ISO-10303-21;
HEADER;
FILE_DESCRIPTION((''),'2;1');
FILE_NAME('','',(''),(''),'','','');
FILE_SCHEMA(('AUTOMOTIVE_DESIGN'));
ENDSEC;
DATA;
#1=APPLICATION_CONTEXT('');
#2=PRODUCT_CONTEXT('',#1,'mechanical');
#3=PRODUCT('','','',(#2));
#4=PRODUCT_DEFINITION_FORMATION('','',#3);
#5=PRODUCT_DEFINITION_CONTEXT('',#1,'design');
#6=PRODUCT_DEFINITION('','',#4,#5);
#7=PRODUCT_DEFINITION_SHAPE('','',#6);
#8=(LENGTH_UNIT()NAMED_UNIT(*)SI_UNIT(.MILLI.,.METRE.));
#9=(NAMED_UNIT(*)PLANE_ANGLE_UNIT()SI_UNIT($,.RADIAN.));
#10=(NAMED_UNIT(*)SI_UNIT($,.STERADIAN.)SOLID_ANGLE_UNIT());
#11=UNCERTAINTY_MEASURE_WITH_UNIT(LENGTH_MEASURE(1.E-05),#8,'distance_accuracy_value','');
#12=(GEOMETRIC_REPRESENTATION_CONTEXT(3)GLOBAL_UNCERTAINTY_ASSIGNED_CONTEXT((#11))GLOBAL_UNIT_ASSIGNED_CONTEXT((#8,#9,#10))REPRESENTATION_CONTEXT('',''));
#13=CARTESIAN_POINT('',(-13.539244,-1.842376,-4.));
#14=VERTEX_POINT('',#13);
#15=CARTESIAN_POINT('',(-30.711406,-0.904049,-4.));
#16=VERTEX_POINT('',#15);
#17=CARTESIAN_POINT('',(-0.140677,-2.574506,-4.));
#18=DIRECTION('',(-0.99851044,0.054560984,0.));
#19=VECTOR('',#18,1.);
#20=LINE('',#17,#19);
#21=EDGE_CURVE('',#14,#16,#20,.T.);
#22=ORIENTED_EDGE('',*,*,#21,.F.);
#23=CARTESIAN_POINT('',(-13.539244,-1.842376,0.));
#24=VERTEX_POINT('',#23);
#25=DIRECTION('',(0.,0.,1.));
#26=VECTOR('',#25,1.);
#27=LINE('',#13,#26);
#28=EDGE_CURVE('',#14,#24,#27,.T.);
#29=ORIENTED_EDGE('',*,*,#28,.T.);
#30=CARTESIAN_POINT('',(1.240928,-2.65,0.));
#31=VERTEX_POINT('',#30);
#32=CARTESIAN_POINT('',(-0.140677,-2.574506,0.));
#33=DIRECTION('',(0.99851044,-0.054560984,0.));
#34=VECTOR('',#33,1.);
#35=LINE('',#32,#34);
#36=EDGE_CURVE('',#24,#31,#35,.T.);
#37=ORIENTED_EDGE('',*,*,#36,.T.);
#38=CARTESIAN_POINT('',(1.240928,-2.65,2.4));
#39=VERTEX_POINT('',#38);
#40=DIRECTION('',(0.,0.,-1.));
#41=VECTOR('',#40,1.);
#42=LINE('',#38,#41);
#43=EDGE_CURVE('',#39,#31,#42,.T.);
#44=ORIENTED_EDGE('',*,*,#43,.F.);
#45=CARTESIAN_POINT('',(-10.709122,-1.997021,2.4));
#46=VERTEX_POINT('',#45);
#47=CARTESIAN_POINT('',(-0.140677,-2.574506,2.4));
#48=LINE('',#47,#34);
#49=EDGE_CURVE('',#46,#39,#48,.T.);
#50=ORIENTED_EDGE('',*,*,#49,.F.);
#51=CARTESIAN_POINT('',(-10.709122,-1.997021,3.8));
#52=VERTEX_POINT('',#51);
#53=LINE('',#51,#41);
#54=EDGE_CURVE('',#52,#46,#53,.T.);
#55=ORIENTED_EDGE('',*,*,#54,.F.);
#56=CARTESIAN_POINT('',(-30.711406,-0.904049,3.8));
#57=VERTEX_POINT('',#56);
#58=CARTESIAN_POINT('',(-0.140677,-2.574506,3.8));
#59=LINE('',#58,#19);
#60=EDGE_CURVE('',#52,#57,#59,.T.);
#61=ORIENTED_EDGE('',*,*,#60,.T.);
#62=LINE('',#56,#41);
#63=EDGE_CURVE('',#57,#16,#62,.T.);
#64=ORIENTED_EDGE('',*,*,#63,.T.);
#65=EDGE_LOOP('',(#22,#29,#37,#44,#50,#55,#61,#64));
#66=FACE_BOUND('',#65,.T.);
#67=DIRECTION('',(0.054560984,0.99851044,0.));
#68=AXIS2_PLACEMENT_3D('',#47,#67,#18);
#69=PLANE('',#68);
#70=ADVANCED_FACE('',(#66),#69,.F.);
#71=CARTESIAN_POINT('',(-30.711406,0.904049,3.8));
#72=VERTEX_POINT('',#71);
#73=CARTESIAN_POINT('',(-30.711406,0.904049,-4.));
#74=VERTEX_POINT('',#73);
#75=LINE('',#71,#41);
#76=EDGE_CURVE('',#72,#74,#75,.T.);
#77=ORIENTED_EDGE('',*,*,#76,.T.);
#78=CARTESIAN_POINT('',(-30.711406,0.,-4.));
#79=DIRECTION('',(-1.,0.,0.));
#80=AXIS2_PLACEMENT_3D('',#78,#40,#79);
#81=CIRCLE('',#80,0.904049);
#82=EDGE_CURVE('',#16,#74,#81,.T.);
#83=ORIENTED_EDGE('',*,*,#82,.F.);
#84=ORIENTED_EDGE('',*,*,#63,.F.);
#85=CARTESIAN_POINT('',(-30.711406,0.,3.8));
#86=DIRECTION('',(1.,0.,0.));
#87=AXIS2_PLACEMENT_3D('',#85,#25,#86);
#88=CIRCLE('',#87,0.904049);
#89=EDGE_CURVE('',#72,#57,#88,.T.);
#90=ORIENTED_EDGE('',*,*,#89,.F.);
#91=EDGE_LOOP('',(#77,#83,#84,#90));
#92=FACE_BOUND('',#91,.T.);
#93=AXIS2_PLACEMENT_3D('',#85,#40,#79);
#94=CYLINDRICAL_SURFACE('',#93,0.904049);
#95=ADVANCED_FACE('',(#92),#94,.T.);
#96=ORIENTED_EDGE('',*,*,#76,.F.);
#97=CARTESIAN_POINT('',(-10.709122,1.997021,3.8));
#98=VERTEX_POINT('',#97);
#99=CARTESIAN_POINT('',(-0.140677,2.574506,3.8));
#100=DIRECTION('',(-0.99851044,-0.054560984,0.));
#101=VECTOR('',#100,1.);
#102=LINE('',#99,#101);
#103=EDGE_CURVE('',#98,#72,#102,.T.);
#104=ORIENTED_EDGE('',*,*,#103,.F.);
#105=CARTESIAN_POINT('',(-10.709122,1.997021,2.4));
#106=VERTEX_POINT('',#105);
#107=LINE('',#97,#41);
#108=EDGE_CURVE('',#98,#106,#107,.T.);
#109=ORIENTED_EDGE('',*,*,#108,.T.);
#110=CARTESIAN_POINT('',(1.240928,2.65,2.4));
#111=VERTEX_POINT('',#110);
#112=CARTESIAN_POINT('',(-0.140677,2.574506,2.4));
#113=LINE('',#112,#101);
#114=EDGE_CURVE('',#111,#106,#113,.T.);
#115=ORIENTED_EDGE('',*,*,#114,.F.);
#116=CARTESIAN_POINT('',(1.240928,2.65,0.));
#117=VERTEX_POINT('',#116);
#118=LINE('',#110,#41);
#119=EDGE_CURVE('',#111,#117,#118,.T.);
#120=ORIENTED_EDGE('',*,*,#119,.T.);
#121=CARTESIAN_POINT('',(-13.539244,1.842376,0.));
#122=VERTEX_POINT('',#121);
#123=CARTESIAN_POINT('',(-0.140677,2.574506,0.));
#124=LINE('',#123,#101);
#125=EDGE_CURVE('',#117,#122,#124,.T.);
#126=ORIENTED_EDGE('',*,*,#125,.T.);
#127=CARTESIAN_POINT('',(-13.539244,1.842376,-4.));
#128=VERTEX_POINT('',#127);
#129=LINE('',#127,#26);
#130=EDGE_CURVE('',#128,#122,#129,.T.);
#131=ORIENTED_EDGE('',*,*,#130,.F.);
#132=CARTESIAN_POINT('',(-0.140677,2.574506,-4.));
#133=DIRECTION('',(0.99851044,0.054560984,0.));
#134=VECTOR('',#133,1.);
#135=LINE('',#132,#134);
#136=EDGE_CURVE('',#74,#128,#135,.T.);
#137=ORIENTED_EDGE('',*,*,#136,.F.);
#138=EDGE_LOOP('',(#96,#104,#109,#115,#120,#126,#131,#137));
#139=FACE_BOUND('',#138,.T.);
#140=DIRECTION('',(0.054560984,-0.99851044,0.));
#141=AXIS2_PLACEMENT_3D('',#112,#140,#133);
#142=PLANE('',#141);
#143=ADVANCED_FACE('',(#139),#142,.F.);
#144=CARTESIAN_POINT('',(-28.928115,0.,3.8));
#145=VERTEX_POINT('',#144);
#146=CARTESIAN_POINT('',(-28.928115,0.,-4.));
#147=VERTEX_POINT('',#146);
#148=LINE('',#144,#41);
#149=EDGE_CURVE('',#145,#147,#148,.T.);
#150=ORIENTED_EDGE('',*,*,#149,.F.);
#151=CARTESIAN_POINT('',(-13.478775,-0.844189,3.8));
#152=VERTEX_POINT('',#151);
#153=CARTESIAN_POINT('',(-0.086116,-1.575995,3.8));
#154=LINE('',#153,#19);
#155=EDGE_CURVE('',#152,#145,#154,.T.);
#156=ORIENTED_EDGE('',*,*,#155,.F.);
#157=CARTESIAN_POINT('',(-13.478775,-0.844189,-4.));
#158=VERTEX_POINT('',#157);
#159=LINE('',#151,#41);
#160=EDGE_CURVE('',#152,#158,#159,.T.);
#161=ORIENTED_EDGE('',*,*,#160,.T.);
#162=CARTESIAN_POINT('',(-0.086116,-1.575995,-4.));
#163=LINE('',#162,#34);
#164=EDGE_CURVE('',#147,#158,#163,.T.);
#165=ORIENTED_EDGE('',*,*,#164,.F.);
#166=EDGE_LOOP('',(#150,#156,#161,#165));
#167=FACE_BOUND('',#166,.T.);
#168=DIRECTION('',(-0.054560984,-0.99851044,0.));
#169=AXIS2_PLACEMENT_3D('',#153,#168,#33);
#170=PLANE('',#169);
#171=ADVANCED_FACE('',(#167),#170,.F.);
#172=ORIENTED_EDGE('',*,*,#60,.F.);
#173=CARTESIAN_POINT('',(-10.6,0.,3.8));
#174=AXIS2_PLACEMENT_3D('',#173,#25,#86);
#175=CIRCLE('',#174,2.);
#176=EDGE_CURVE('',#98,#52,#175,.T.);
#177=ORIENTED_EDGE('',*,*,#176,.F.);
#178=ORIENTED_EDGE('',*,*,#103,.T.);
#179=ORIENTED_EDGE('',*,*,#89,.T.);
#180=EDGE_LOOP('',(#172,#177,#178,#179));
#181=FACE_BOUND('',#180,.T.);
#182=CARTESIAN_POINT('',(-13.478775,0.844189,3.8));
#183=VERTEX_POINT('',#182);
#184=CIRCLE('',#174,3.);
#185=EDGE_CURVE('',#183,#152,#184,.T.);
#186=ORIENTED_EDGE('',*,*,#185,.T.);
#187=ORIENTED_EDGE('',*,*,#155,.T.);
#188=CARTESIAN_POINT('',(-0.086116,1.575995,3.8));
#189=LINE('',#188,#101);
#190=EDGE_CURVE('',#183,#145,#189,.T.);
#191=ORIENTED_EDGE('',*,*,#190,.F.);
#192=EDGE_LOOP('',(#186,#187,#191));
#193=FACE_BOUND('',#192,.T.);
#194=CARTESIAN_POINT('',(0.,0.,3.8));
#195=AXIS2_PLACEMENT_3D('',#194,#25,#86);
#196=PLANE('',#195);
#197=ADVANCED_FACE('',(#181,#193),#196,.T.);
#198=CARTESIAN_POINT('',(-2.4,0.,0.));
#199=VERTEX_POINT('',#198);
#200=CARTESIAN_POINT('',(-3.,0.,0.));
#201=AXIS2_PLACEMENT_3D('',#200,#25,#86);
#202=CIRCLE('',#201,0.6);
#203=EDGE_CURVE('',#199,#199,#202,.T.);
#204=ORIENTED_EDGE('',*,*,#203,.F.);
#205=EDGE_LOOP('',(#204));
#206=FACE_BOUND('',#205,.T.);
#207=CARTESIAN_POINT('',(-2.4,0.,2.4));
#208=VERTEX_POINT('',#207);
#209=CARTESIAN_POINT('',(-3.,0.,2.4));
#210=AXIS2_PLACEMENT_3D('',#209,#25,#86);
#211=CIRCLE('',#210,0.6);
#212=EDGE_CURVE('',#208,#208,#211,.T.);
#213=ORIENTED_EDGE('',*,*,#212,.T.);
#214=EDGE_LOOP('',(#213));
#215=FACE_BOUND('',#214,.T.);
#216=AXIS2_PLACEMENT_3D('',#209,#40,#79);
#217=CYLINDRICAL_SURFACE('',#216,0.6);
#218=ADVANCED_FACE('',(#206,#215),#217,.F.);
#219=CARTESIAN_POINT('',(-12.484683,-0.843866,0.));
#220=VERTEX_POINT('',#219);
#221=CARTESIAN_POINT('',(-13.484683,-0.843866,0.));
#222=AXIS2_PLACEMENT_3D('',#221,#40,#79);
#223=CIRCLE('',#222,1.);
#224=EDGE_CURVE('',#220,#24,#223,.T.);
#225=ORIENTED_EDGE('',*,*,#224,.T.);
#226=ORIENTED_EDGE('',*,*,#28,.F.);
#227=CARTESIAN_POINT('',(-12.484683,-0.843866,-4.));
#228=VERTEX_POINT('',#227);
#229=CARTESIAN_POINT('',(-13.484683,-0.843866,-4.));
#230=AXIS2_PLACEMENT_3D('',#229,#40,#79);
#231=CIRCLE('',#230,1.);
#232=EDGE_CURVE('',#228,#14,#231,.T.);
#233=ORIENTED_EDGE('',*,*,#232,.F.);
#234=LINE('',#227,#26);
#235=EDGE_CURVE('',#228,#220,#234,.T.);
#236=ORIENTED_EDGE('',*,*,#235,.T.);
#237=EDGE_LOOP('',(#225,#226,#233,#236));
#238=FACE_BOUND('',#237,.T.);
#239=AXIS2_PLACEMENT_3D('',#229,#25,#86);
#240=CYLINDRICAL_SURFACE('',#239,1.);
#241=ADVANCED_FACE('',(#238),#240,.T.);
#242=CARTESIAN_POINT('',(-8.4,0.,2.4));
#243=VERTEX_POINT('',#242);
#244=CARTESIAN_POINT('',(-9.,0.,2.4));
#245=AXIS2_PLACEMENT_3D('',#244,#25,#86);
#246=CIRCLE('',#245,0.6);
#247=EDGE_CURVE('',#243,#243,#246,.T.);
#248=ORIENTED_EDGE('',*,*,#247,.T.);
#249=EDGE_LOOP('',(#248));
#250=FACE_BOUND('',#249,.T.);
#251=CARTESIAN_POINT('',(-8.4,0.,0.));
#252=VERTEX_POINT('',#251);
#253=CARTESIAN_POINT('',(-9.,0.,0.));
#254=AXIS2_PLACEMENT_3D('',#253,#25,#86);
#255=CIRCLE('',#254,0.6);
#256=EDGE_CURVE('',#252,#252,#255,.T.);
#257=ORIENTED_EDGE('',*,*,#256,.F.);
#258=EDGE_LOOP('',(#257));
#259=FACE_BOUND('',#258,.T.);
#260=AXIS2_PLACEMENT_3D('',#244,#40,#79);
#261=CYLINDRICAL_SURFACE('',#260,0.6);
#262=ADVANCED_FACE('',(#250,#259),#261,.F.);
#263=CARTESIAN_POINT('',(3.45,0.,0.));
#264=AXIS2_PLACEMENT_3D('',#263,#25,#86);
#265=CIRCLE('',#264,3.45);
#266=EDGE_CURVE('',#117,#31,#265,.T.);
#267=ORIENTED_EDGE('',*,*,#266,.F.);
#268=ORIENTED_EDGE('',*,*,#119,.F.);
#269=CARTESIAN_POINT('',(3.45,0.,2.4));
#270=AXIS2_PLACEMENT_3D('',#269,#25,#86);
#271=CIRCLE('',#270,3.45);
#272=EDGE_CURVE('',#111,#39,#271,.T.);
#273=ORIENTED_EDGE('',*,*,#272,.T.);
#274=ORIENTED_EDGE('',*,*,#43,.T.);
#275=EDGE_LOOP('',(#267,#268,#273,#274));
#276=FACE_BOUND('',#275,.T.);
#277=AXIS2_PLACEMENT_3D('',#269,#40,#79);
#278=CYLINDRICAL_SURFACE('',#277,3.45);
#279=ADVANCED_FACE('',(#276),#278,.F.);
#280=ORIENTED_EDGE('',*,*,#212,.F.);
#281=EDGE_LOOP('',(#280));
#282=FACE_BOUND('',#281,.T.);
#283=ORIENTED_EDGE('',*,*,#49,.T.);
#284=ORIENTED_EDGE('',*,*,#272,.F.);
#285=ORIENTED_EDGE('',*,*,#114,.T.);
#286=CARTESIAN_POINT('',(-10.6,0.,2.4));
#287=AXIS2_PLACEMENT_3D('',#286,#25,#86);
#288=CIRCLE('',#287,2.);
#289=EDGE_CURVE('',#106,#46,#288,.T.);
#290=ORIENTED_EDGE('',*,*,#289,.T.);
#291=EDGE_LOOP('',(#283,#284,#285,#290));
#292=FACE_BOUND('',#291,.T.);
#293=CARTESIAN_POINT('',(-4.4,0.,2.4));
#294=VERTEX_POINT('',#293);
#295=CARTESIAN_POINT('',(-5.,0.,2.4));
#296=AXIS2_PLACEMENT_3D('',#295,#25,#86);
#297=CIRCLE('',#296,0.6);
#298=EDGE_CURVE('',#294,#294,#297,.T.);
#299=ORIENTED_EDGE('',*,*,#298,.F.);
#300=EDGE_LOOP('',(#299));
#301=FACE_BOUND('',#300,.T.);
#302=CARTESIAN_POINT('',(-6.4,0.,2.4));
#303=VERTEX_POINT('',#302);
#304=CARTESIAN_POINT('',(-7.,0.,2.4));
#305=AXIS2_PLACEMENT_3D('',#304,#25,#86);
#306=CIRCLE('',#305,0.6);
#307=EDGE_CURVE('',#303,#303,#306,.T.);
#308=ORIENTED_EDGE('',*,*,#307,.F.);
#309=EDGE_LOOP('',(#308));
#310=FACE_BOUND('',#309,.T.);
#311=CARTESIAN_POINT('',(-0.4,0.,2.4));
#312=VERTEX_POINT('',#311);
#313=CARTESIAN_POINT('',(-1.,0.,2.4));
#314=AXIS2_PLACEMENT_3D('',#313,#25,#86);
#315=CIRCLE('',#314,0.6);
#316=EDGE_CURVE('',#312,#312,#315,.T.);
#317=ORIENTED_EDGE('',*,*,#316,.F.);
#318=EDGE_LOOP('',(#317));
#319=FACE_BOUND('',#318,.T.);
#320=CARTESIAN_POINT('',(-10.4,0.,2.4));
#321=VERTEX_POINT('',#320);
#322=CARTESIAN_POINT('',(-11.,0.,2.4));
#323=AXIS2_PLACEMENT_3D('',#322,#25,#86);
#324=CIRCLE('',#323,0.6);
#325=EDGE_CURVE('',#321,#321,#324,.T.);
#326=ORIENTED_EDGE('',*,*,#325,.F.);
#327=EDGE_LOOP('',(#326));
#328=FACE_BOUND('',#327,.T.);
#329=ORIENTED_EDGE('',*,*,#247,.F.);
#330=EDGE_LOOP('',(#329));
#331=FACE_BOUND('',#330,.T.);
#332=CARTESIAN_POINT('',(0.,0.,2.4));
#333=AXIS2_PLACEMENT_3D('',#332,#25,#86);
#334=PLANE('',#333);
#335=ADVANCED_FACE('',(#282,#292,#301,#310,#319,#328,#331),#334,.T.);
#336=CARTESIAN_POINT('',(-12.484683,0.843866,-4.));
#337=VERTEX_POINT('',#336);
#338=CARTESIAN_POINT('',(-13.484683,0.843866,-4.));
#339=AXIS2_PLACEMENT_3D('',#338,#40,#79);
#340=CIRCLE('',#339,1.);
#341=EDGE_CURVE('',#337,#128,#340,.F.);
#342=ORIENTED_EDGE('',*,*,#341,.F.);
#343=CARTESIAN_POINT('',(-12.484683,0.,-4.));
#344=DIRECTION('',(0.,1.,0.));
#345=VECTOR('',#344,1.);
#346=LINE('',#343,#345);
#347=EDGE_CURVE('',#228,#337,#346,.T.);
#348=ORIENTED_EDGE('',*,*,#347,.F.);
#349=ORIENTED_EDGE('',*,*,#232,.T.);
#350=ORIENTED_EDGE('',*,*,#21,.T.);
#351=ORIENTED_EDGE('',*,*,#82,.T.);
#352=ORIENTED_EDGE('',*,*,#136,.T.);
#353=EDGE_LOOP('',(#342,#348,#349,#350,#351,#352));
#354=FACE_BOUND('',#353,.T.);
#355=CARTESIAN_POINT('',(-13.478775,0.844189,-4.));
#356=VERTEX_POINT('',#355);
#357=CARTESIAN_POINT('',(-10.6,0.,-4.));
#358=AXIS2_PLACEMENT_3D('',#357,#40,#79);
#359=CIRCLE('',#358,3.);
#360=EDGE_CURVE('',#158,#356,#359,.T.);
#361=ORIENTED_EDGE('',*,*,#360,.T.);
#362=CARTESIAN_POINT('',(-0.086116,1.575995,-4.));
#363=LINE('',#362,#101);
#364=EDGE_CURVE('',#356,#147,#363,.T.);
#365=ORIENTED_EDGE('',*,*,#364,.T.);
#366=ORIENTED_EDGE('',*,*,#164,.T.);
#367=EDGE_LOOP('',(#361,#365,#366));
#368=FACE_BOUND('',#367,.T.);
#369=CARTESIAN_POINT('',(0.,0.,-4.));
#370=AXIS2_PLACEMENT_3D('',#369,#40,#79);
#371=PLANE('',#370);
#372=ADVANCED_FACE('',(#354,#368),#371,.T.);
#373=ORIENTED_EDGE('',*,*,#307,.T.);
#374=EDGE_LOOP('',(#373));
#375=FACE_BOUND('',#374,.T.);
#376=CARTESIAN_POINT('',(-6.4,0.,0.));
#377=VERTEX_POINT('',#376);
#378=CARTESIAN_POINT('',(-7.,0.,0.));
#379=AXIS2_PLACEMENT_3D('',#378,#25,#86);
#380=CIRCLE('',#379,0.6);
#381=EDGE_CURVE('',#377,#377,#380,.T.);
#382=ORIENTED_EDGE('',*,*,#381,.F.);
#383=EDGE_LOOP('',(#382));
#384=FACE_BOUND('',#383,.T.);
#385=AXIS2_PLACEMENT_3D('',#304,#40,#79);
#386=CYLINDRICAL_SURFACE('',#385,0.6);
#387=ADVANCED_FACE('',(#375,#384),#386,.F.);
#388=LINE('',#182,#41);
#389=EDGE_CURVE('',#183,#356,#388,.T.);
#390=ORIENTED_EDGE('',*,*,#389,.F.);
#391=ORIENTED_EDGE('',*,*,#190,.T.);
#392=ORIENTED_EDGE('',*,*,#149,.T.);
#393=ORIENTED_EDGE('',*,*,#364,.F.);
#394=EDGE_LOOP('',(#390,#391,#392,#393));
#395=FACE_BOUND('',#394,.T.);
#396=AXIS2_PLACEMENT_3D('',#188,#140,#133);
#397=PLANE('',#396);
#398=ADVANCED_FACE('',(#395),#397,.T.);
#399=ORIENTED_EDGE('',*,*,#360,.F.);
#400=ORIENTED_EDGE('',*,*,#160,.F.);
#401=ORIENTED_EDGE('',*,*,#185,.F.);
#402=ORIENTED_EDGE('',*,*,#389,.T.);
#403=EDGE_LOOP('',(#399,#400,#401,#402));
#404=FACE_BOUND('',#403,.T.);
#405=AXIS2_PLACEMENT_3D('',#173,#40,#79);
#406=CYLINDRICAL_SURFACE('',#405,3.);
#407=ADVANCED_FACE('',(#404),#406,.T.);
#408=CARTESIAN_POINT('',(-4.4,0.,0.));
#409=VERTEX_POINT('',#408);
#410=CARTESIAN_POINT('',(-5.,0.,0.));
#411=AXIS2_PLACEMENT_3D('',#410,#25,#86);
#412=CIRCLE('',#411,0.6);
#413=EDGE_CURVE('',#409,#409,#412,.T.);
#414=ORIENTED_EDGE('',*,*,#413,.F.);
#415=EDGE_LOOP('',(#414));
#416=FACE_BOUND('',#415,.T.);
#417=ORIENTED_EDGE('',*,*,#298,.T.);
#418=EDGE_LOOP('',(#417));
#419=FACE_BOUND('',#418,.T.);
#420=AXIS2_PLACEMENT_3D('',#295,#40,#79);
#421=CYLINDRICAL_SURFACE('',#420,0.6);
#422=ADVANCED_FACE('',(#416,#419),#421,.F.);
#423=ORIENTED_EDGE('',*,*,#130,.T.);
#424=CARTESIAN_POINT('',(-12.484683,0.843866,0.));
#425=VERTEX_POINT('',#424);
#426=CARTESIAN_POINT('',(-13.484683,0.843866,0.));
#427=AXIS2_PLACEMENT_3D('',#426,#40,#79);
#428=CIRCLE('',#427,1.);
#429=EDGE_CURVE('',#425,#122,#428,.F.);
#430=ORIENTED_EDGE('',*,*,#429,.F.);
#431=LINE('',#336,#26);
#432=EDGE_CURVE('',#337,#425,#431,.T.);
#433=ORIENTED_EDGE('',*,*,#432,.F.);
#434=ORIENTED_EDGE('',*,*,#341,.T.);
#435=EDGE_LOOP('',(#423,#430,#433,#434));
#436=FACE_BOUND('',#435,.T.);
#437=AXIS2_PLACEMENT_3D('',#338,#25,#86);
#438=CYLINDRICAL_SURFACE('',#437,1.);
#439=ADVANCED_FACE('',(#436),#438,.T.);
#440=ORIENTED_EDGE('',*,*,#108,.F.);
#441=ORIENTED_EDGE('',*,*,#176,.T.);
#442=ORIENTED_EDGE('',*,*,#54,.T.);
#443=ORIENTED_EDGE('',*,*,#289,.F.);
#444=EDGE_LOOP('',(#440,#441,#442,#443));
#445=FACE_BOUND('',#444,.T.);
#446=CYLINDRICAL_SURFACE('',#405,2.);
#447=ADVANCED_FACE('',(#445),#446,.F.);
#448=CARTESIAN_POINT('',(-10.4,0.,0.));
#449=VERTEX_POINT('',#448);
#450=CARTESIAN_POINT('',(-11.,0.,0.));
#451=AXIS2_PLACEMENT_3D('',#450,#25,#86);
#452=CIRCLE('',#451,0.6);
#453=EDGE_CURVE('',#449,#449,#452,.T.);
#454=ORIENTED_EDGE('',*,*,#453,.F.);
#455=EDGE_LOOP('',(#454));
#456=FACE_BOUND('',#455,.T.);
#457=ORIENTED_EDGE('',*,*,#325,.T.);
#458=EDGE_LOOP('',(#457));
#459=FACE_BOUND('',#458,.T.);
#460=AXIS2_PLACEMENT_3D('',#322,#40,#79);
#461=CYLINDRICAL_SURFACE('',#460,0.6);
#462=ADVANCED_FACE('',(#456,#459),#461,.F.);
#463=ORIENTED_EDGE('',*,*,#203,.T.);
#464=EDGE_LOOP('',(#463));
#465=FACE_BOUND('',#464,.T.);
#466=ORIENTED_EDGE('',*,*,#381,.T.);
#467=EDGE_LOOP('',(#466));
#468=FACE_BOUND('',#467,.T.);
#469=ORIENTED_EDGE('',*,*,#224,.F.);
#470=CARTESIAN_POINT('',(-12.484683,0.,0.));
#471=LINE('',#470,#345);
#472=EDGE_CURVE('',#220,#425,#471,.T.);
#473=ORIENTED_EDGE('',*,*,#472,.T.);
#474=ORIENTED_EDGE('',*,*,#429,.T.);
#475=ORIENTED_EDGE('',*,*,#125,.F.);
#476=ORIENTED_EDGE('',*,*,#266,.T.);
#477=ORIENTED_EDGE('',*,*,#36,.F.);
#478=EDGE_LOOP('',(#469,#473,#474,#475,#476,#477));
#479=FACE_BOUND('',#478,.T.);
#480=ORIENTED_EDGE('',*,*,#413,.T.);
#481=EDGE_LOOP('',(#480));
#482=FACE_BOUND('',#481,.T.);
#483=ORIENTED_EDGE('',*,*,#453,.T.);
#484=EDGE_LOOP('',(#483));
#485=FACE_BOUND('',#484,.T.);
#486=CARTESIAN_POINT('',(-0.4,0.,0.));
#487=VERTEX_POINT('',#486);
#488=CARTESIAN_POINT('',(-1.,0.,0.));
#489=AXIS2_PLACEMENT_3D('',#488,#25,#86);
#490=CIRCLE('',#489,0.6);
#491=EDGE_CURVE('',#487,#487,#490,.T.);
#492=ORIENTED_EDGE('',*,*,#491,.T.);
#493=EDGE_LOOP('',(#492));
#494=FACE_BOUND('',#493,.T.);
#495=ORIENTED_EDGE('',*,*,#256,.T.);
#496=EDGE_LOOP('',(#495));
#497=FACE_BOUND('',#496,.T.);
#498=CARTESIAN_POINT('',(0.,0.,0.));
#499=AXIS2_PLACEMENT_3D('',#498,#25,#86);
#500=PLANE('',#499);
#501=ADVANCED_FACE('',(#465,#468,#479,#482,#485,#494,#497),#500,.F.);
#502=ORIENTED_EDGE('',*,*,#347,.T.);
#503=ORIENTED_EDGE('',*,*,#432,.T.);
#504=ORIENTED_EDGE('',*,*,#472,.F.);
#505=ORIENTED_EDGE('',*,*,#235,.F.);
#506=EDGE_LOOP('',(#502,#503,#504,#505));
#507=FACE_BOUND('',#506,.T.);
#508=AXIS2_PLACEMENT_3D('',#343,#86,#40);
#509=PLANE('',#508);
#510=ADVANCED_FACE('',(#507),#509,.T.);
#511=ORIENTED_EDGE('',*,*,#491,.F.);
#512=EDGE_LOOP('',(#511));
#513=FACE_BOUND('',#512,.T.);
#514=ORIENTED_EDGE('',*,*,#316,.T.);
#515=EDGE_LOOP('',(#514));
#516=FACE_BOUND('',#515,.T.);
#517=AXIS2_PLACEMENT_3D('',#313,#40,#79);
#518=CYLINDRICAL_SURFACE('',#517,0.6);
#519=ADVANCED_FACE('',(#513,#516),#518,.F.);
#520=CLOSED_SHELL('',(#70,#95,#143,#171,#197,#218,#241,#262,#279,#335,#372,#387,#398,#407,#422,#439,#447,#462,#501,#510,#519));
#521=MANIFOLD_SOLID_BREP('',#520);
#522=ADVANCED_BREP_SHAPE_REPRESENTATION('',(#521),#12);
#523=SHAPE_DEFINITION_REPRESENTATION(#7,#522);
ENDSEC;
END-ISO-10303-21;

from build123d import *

# Parameters (mm, degrees)
SKETCH1_R           = 0.6
BOSS_EXTRUDE1_DEPTH = 2.4
BOSS_EXTRUDE2_DEPTH = 3.8
BOSS_EXTRUDE3_START = 4
BOSS_EXTRUDE3_DEPTH = 4


with BuildPart() as part:
    # Sketch1 → Boss-Extrude1 (new body)
    with BuildSketch(Plane.XY):
        with BuildLine():
            ThreePointArc((1.240927797, -2.65), (0, 0), (1.240927797, 2.65))
            Line((1.240927797, 2.65), (-10.709121967, 1.99702088))
            ThreePointArc((-10.709121967, 1.99702088), (-12.6, 0), (-10.709121967, -1.99702088))
            Line((-10.709121967, -1.99702088), (1.240927797, -2.65))
        make_face()
        with Locations((-11, 0)):
            Circle(SKETCH1_R, mode=Mode.SUBTRACT)
        with Locations((-9, 0)):
            Circle(SKETCH1_R, mode=Mode.SUBTRACT)
        with Locations((-7, 0)):
            Circle(SKETCH1_R, mode=Mode.SUBTRACT)
        with Locations((-5, 0)):
            Circle(SKETCH1_R, mode=Mode.SUBTRACT)
        with Locations((-3, 0)):
            Circle(SKETCH1_R, mode=Mode.SUBTRACT)
        with Locations((-1, 0)):
            Circle(SKETCH1_R, mode=Mode.SUBTRACT)
    extrude(amount=BOSS_EXTRUDE1_DEPTH)

    # Sketch1<4> → Boss-Extrude2 (add)
    with BuildSketch(Plane.XY):
        with BuildLine():
            ThreePointArc((-10.709121967, -1.99702088), (-12.6, 0), (-10.709121967, 1.99702088))
            Line((-10.709121967, 1.99702088), (-30.711406288, 0.904048527))
            ThreePointArc((-30.711406288, 0.904048527), (-31.615454815, 0), (-30.711406288, -0.904048527))
            Line((-30.711406288, -0.904048527), (-10.709121967, -1.99702088))
        make_face()
        with BuildLine():
            Line((-28.928115358, 0), (-13.478774997, 0.844188674))
            ThreePointArc((-13.478774997, 0.844188674), (-13.6, 0), (-13.478774997, -0.844188674))
            Line((-13.478774997, -0.844188674), (-28.928115358, 0))
        make_face(mode=Mode.SUBTRACT)
    extrude(amount=BOSS_EXTRUDE2_DEPTH)

    # Sketch2 → Boss-Extrude3 (add)
    with BuildSketch(Plane(origin=(0, 0, 0), x_dir=(-1, 0, 0), z_dir=(0, 0, -1)).offset(BOSS_EXTRUDE3_START)):
        with BuildLine():
            Line((12.484683103, 0.843865841), (12.484683103, -0.843865841))
            ThreePointArc((12.484683103, -0.843865841), (12.797137099, -1.570006662), (13.539244087, -1.842376282))
            Line((13.539244087, -1.842376282), (30.711406288, -0.904048527))
            ThreePointArc((30.711406288, -0.904048527), (31.615454815, 0), (30.711406288, 0.904048527))
            Line((30.711406288, 0.904048527), (13.539244087, 1.842376282))
            ThreePointArc((13.539244087, 1.842376282), (12.797137099, 1.570006662), (12.484683103, 0.843865841))
        make_face()
        with BuildLine():
            Line((28.928115358, 0), (13.478774997, -0.844188674))
            ThreePointArc((13.478774997, -0.844188674), (13.6, 0), (13.478774997, 0.844188674))
            Line((13.478774997, 0.844188674), (28.928115358, 0))
        make_face(mode=Mode.SUBTRACT)
    extrude(amount=-BOSS_EXTRUDE3_DEPTH)


solid = part.part
